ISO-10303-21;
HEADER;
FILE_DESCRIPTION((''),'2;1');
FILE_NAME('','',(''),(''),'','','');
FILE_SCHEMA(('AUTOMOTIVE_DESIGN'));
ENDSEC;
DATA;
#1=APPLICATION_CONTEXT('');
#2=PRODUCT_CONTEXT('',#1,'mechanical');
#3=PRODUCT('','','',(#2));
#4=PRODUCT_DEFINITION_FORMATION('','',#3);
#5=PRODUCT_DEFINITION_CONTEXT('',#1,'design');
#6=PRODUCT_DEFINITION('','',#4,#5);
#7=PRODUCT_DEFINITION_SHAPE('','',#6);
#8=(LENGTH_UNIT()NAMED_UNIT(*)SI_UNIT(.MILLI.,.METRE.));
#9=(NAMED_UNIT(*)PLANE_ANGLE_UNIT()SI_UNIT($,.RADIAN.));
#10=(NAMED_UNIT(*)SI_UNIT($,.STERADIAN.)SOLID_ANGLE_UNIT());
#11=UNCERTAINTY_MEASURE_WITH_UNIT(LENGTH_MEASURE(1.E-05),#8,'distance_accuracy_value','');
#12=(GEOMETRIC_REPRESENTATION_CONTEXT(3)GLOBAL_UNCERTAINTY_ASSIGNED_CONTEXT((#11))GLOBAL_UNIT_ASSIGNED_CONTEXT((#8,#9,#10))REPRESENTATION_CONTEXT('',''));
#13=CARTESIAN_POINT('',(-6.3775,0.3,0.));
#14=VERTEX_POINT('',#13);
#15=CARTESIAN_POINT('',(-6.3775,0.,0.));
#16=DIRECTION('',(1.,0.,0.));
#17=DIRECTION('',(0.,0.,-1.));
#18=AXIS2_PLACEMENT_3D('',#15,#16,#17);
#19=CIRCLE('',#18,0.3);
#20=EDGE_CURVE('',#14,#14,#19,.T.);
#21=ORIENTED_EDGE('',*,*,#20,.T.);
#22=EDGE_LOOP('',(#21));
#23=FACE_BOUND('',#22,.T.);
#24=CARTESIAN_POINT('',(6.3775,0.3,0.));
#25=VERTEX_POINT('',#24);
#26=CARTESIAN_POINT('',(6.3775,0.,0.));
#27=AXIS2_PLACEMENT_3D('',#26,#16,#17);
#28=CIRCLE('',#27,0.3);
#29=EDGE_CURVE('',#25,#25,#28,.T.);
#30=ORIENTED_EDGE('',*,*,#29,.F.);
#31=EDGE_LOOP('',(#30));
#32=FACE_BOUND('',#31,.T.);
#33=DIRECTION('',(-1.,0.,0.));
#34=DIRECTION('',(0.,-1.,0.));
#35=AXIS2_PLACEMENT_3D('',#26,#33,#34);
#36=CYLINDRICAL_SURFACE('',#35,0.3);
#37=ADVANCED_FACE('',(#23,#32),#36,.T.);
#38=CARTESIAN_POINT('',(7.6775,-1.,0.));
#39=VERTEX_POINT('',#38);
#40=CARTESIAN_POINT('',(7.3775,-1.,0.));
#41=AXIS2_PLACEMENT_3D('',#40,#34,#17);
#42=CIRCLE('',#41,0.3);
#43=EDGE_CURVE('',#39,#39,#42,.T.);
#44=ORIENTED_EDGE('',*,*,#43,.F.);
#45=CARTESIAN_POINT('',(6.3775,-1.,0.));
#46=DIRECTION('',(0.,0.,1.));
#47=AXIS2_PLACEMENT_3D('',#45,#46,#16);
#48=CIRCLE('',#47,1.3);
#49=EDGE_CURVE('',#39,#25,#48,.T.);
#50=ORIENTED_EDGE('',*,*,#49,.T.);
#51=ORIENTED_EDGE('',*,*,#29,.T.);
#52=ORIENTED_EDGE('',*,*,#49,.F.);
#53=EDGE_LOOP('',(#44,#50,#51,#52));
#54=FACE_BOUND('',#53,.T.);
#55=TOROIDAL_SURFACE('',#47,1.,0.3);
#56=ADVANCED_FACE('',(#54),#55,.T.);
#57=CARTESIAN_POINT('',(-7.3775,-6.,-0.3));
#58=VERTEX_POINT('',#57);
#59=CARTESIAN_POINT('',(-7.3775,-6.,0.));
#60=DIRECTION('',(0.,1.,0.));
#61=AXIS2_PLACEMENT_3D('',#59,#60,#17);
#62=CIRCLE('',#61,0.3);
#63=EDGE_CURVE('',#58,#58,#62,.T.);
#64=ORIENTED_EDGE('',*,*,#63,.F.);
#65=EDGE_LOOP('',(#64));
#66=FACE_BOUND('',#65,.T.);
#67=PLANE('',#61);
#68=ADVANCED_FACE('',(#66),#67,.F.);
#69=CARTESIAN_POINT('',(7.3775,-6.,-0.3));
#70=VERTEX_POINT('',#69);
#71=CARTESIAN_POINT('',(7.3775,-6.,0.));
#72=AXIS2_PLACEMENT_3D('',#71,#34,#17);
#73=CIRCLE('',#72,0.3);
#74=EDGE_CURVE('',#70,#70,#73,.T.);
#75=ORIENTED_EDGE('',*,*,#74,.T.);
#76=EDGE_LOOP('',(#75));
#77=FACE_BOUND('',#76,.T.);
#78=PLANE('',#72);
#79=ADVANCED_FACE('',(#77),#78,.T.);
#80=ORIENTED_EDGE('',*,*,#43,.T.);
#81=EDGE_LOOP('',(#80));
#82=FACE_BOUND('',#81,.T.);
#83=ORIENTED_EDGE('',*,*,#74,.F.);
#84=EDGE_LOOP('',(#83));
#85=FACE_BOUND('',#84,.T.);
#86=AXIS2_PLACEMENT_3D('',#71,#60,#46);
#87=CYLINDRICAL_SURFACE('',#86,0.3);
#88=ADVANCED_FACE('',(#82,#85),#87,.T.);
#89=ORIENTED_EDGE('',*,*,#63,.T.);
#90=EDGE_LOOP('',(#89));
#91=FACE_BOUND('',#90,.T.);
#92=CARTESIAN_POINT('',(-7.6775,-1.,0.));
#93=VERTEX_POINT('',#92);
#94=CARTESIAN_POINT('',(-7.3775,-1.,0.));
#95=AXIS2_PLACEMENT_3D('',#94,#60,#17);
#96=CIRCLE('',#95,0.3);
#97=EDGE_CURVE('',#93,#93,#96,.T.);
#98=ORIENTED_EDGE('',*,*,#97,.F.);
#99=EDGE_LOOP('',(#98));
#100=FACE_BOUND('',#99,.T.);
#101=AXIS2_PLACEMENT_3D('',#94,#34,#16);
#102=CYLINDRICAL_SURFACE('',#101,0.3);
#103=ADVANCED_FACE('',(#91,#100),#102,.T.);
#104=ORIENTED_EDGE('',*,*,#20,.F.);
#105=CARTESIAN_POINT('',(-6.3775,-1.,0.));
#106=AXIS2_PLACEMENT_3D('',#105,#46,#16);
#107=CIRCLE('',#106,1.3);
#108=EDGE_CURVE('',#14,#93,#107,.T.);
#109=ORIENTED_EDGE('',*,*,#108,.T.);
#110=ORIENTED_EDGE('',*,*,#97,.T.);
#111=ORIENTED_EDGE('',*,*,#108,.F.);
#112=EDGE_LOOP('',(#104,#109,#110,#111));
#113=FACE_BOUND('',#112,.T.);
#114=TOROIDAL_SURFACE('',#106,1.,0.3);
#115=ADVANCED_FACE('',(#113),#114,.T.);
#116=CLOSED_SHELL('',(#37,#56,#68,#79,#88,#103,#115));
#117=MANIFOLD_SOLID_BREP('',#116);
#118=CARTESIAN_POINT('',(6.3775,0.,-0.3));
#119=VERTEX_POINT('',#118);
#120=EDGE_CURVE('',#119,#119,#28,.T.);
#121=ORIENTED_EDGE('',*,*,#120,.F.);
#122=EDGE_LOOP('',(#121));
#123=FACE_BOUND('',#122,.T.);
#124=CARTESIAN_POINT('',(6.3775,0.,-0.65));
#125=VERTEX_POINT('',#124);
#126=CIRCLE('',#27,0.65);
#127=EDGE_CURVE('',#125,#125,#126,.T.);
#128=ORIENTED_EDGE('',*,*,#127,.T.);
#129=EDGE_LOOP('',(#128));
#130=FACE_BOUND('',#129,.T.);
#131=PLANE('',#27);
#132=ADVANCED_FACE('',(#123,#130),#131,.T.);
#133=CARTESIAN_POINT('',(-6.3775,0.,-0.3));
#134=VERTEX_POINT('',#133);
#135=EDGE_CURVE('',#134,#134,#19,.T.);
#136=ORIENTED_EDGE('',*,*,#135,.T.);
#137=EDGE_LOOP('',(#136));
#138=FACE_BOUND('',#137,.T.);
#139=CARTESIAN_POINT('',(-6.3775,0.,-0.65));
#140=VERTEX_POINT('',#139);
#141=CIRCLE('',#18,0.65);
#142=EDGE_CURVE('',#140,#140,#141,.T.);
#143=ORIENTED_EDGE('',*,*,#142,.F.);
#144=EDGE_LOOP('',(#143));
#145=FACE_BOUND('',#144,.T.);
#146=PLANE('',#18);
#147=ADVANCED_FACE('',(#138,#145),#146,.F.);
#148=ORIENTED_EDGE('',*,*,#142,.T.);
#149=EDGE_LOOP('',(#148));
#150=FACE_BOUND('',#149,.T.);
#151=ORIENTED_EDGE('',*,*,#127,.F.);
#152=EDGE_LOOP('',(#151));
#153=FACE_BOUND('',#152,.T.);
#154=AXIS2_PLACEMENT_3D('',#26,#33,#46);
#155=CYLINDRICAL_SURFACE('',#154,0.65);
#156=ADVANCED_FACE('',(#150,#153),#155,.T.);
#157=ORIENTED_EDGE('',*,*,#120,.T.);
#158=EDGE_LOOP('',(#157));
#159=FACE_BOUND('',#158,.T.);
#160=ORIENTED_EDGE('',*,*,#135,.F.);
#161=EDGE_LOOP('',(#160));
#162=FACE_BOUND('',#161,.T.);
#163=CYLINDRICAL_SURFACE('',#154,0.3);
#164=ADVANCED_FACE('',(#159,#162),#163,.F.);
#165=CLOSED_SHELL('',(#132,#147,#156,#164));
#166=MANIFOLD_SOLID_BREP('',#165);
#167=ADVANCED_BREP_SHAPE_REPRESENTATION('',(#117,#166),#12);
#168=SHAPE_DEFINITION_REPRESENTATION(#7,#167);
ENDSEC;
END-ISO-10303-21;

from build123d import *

# Parameters (mm, degrees)
SKETCH2_R                = 0.3
SKETCH3_R                = 0.65
SKETCH3_R_2              = 0.3
BOSS_EXTRUDE1_DEPTH      = 6.3775
BOSS_EXTRUDE1_DEPTH_BACK = 6.3775


with BuildPart() as part:
    # Sweep1: sweep along a path in Sketch1
    with BuildLine(Plane.XY) as sweep1_path:
        Line((-7.3775, -6), (-7.3775, -1))
        ThreePointArc((-7.3775, -1), (-7.084606781, -0.292893219), (-6.3775, 0))
        Line((-6.3775, 0), (6.3775, 0))
        ThreePointArc((6.3775, 0), (7.084606781, -0.292893219), (7.3775, -1))
        Line((7.3775, -1), (7.3775, -6))
    # Sketch2 → Sweep1 (sweep)
    with BuildSketch(Plane(origin=(0, 0, 0), x_dir=(0, 0, -1), z_dir=(1, 0, 0))):
        Circle(SKETCH2_R)
    sweep(path=sweep1_path.line)


with BuildPart() as body_2:
    # Sketch3 → Boss-Extrude1 (new body, two sides)
    with BuildSketch(Plane(origin=(0, 0, 0), x_dir=(0, 0, -1), z_dir=(1, 0, 0))) as boss_extrude1_sk:
        Circle(SKETCH3_R)
        Circle(SKETCH3_R_2, mode=Mode.SUBTRACT)
    extrude(amount=BOSS_EXTRUDE1_DEPTH)
    extrude(boss_extrude1_sk.sketch, amount=-BOSS_EXTRUDE1_DEPTH_BACK)


solid = Compound([part.part, body_2.part])
